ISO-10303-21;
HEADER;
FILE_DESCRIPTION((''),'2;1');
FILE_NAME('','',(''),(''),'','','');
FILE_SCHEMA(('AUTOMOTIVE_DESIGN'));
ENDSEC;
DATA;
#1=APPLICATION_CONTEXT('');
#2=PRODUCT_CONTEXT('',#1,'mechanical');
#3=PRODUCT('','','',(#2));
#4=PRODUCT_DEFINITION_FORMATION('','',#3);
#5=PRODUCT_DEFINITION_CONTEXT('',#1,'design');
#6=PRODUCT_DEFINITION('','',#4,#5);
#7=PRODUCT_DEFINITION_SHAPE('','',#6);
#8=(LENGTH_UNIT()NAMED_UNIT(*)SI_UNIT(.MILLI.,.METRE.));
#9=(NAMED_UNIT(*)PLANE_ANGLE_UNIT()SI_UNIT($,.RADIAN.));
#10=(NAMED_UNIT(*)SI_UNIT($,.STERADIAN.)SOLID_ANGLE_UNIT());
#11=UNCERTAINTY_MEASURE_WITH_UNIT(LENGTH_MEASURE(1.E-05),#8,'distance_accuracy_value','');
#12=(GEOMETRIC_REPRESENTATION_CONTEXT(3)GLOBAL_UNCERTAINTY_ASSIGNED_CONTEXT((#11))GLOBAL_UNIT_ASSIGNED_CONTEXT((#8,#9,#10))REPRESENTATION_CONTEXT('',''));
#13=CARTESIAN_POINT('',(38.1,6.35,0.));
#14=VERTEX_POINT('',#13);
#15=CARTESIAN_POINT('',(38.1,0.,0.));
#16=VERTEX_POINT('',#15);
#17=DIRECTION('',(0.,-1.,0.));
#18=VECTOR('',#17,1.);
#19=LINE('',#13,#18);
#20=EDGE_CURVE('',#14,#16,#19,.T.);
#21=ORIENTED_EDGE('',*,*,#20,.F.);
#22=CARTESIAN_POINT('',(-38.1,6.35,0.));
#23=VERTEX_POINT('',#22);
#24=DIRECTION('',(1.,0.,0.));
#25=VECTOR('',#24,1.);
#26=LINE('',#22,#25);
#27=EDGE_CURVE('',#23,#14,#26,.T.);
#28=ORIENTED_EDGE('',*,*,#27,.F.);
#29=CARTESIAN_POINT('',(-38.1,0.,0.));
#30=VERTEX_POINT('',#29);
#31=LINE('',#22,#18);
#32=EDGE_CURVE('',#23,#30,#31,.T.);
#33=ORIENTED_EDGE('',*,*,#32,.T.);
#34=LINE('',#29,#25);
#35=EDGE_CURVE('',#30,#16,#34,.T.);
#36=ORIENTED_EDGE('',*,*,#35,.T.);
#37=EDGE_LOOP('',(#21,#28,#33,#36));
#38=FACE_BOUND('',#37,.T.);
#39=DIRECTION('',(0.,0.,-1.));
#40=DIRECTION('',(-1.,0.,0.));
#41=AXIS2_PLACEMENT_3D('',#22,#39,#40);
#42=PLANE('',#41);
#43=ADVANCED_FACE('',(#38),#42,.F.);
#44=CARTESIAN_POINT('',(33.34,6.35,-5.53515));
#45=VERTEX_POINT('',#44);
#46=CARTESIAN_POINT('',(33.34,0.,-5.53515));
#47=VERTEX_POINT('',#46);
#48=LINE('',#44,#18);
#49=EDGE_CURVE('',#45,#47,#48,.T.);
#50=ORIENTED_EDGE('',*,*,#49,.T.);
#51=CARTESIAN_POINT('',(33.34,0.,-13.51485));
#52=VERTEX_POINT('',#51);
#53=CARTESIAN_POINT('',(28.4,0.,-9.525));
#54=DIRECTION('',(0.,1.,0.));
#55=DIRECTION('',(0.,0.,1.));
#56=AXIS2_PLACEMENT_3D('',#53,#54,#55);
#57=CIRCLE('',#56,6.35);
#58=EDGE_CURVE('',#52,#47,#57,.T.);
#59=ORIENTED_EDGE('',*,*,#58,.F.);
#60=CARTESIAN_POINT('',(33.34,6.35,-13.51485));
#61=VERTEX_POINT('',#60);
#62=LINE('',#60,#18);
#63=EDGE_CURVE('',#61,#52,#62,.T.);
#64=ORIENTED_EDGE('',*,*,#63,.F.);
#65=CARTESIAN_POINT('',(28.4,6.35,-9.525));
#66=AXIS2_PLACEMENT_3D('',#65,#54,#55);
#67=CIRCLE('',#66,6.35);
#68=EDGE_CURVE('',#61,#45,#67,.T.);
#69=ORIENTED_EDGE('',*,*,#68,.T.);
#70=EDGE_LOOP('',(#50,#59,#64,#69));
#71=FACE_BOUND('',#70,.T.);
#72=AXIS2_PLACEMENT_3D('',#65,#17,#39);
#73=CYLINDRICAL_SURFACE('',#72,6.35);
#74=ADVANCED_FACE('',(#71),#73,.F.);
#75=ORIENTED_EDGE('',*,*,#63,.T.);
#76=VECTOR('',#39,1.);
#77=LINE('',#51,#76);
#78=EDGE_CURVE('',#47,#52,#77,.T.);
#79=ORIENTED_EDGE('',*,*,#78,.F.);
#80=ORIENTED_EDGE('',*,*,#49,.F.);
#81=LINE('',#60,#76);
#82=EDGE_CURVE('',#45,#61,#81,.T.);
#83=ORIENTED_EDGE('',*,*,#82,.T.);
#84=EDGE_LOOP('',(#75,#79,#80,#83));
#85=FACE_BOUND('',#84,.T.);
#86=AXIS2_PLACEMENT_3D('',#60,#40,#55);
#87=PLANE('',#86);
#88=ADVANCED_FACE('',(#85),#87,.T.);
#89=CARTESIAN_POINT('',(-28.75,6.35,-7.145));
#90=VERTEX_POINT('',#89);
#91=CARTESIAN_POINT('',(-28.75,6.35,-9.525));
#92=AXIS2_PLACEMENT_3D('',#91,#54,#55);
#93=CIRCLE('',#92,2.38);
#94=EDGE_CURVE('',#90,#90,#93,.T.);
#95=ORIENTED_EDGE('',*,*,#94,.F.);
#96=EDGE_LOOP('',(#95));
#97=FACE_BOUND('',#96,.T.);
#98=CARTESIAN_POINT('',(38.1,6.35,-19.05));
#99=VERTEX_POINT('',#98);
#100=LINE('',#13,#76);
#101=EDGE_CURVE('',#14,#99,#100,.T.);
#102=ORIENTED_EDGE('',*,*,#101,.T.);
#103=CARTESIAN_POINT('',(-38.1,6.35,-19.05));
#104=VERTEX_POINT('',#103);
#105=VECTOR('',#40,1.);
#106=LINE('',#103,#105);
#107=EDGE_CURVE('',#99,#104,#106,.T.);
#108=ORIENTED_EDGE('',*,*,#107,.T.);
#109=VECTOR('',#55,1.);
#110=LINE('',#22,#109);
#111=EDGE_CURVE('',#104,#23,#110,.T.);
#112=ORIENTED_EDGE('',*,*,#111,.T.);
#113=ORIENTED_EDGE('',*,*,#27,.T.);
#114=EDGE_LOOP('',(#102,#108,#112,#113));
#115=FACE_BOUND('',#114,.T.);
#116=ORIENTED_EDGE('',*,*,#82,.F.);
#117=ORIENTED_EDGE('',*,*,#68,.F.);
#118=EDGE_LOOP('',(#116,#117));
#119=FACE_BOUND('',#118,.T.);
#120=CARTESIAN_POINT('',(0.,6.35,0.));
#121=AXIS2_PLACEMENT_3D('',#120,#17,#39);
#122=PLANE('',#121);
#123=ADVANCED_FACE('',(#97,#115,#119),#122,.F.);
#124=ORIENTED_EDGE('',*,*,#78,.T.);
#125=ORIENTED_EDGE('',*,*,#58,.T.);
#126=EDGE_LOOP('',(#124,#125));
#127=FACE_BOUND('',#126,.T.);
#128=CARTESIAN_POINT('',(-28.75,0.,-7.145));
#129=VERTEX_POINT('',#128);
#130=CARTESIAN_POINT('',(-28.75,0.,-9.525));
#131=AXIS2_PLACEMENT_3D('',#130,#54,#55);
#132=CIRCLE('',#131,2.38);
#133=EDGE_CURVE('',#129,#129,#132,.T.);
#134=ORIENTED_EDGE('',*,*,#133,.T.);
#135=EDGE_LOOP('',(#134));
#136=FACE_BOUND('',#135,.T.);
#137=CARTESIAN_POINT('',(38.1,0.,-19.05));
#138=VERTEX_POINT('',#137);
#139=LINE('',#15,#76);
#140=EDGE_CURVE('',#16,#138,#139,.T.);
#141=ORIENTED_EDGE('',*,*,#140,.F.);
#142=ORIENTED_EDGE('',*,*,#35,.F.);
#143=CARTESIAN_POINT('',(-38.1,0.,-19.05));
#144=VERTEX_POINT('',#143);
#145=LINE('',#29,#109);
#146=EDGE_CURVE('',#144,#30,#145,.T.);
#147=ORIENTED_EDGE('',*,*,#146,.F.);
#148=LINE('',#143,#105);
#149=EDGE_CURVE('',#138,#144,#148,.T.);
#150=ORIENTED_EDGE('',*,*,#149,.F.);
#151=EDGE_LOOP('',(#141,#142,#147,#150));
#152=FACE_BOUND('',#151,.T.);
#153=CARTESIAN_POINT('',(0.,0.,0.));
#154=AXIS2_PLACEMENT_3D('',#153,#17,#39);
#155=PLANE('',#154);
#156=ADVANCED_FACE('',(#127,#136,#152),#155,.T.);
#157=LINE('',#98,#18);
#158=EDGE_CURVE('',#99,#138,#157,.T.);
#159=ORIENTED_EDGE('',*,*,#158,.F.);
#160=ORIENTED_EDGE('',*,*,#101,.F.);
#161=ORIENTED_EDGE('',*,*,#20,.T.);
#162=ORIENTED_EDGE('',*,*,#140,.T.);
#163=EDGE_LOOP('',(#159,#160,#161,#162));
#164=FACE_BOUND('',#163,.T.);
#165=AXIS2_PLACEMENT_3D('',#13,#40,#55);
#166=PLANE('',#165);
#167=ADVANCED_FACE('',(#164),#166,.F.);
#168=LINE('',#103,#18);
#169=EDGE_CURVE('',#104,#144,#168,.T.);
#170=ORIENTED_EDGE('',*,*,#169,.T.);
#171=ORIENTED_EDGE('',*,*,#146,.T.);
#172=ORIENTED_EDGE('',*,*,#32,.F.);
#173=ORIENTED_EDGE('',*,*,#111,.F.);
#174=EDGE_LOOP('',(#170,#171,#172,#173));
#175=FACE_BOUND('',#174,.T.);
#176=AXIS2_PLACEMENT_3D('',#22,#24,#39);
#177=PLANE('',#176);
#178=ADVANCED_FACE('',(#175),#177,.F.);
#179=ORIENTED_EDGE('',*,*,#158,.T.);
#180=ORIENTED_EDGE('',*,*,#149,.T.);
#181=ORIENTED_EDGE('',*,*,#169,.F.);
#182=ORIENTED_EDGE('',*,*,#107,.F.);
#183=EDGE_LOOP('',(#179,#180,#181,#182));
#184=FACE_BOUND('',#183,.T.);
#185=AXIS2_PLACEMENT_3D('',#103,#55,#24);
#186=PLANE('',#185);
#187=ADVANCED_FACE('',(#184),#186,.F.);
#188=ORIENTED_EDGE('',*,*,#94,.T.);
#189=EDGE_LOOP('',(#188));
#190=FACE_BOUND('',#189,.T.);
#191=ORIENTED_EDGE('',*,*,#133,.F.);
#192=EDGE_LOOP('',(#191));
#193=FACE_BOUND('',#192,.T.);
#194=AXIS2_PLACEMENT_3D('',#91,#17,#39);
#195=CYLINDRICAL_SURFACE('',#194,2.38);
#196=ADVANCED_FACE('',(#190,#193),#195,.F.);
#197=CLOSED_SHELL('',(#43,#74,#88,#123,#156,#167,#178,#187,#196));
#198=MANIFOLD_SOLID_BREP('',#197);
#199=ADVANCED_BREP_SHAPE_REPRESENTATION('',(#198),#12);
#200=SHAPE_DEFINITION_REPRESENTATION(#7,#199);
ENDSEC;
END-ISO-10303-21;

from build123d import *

# Parameters (mm, degrees)
SKETCH1_W           = 76.2
SKETCH1_H           = 19.05
SKETCH1_R           = 2.38
BOSS_EXTRUDE1_DEPTH = 6.35


with BuildPart() as part:
    # Sketch1 → Boss-Extrude1 (new body)
    with BuildSketch(Plane(origin=(0, 0, 0), x_dir=(1, 0, 0), z_dir=(0, 1, 0))):
        with Locations((0, 9.525)):
            Rectangle(SKETCH1_W, SKETCH1_H)
        with Locations((-28.75, 9.525)):
            Circle(SKETCH1_R, mode=Mode.SUBTRACT)
        with BuildLine():
            Line((33.34, 13.514849621), (33.34, 5.535150379))
            ThreePointArc((33.34, 5.535150379), (22.05, 9.525), (33.34, 13.514849621))
        make_face(mode=Mode.SUBTRACT)
    extrude(amount=BOSS_EXTRUDE1_DEPTH)


solid = part.part
